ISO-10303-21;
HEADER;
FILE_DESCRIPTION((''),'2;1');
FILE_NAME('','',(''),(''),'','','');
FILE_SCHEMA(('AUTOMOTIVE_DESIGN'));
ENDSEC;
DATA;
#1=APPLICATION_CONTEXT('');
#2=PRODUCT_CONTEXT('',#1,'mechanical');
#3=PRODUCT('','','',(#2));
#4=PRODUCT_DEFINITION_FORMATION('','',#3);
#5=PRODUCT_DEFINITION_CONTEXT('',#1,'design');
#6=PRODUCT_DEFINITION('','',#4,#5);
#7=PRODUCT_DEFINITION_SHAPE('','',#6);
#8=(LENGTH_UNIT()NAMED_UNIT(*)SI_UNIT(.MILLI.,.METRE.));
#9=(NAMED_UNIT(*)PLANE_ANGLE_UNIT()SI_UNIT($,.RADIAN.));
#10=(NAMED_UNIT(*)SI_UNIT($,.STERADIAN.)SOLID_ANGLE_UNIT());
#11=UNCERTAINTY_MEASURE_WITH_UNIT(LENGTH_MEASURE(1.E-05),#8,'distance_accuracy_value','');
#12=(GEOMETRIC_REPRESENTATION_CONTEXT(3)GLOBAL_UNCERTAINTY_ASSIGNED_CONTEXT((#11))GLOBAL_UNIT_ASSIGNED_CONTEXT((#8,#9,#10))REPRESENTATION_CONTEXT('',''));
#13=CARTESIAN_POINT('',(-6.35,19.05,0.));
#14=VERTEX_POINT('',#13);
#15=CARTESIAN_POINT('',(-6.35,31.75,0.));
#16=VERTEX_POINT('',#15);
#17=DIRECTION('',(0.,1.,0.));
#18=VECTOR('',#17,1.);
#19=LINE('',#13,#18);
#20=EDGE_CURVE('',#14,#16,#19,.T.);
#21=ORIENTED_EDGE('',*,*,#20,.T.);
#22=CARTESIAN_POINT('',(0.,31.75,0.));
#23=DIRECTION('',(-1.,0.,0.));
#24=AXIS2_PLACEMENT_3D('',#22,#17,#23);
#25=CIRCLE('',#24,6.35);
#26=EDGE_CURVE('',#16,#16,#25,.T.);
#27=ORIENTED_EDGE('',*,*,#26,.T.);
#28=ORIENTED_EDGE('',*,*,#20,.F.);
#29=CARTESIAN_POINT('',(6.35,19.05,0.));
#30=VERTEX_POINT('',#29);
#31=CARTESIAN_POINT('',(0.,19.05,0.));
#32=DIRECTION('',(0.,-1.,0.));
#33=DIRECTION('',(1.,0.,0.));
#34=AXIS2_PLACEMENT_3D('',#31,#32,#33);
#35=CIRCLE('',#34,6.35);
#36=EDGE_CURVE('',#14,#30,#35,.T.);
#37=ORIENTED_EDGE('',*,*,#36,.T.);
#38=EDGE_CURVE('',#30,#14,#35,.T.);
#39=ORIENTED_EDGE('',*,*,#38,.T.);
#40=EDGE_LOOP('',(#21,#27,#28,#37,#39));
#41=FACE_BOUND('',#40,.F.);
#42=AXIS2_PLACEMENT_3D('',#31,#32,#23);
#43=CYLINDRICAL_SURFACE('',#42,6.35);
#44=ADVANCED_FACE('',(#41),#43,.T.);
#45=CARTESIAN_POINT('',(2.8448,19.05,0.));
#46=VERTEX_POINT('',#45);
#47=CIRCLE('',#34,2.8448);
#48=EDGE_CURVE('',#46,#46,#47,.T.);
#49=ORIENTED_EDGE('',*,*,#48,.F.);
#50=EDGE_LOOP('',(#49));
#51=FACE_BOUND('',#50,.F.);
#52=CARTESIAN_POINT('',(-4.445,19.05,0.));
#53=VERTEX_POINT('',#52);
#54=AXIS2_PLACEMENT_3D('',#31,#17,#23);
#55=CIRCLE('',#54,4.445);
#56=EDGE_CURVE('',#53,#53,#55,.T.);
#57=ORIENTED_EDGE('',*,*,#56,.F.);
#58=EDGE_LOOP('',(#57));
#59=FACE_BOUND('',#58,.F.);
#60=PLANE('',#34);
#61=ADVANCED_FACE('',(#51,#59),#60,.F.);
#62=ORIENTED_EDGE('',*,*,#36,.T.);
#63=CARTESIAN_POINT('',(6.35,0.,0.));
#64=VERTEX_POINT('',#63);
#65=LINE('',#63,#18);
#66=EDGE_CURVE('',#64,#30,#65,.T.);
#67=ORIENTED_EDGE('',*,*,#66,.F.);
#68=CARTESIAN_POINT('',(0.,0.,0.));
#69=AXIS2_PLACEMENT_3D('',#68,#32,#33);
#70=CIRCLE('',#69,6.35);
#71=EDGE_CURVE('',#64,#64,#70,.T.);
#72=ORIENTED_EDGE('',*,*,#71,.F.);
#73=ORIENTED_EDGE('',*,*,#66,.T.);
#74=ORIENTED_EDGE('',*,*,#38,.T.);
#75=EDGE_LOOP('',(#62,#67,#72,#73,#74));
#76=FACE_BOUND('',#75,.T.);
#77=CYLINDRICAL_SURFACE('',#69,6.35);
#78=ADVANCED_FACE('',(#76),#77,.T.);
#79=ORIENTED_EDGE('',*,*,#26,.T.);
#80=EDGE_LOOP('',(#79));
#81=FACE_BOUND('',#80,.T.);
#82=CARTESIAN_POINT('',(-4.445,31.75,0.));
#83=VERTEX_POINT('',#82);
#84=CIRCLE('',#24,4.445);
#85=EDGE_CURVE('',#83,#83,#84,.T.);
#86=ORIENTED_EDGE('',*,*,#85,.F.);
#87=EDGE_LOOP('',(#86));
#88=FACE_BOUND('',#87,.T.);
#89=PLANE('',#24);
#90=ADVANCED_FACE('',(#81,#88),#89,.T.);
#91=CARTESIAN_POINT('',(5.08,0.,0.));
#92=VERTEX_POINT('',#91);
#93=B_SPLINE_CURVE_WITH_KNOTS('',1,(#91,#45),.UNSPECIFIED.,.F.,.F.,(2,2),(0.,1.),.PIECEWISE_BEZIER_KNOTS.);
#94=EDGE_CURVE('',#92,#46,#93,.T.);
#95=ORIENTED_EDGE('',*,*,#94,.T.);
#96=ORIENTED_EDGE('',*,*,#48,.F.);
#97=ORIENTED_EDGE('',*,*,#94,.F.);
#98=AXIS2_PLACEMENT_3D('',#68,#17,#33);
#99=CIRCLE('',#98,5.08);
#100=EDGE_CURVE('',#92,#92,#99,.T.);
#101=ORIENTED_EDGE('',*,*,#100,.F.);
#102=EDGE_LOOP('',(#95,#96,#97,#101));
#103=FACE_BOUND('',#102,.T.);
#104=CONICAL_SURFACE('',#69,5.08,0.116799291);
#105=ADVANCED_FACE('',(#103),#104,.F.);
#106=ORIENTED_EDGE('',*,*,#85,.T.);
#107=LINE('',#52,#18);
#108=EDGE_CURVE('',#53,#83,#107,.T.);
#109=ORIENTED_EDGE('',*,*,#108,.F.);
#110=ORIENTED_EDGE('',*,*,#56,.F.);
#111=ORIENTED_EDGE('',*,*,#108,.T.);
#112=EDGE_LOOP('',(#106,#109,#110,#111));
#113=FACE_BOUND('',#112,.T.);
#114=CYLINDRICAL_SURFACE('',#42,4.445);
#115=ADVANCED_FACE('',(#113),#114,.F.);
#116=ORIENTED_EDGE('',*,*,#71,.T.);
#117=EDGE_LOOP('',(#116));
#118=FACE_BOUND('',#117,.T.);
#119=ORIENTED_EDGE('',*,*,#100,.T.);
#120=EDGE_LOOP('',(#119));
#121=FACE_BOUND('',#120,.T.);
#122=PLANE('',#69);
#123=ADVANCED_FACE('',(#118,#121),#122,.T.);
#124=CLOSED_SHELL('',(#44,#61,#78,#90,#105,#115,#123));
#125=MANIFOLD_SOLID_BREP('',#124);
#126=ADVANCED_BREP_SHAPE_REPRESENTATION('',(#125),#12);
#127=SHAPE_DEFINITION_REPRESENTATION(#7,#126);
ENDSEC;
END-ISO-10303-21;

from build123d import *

# Parameters (mm, degrees)
F0_R     = 6.35
F5_DEPTH = 19.05
F1_R     = 5.08
F4_R     = 2.8448
F7_R     = 6.35
F7_R_2   = 4.445
F8_DEPTH = 12.7


with BuildPart() as f5:
    # F0 (on Front) → F5 (new body)
    with BuildSketch(Plane.XZ):
        Circle(F0_R)
    extrude(amount=-F5_DEPTH)

    # F1 (on face) → F6 section 0
    with BuildSketch(Plane.XZ):
        Circle(F1_R)
    # F4 (on line) → F6 section 1
    with BuildSketch(Plane(origin=(0, 19.05, 0), x_dir=(-1, 0, 0), z_dir=(0, 1, 0))):
        Circle(F4_R)
    loft(mode=Mode.SUBTRACT)

    # F7 (on face) → F8 (join)
    with BuildSketch(Plane(origin=(0, 19.05, 0), x_dir=(-1, 0, 0), z_dir=(0, 1, 0))):
        Circle(F7_R)
        Circle(F7_R_2, mode=Mode.SUBTRACT)
    extrude(amount=F8_DEPTH)


solid = f5.part
